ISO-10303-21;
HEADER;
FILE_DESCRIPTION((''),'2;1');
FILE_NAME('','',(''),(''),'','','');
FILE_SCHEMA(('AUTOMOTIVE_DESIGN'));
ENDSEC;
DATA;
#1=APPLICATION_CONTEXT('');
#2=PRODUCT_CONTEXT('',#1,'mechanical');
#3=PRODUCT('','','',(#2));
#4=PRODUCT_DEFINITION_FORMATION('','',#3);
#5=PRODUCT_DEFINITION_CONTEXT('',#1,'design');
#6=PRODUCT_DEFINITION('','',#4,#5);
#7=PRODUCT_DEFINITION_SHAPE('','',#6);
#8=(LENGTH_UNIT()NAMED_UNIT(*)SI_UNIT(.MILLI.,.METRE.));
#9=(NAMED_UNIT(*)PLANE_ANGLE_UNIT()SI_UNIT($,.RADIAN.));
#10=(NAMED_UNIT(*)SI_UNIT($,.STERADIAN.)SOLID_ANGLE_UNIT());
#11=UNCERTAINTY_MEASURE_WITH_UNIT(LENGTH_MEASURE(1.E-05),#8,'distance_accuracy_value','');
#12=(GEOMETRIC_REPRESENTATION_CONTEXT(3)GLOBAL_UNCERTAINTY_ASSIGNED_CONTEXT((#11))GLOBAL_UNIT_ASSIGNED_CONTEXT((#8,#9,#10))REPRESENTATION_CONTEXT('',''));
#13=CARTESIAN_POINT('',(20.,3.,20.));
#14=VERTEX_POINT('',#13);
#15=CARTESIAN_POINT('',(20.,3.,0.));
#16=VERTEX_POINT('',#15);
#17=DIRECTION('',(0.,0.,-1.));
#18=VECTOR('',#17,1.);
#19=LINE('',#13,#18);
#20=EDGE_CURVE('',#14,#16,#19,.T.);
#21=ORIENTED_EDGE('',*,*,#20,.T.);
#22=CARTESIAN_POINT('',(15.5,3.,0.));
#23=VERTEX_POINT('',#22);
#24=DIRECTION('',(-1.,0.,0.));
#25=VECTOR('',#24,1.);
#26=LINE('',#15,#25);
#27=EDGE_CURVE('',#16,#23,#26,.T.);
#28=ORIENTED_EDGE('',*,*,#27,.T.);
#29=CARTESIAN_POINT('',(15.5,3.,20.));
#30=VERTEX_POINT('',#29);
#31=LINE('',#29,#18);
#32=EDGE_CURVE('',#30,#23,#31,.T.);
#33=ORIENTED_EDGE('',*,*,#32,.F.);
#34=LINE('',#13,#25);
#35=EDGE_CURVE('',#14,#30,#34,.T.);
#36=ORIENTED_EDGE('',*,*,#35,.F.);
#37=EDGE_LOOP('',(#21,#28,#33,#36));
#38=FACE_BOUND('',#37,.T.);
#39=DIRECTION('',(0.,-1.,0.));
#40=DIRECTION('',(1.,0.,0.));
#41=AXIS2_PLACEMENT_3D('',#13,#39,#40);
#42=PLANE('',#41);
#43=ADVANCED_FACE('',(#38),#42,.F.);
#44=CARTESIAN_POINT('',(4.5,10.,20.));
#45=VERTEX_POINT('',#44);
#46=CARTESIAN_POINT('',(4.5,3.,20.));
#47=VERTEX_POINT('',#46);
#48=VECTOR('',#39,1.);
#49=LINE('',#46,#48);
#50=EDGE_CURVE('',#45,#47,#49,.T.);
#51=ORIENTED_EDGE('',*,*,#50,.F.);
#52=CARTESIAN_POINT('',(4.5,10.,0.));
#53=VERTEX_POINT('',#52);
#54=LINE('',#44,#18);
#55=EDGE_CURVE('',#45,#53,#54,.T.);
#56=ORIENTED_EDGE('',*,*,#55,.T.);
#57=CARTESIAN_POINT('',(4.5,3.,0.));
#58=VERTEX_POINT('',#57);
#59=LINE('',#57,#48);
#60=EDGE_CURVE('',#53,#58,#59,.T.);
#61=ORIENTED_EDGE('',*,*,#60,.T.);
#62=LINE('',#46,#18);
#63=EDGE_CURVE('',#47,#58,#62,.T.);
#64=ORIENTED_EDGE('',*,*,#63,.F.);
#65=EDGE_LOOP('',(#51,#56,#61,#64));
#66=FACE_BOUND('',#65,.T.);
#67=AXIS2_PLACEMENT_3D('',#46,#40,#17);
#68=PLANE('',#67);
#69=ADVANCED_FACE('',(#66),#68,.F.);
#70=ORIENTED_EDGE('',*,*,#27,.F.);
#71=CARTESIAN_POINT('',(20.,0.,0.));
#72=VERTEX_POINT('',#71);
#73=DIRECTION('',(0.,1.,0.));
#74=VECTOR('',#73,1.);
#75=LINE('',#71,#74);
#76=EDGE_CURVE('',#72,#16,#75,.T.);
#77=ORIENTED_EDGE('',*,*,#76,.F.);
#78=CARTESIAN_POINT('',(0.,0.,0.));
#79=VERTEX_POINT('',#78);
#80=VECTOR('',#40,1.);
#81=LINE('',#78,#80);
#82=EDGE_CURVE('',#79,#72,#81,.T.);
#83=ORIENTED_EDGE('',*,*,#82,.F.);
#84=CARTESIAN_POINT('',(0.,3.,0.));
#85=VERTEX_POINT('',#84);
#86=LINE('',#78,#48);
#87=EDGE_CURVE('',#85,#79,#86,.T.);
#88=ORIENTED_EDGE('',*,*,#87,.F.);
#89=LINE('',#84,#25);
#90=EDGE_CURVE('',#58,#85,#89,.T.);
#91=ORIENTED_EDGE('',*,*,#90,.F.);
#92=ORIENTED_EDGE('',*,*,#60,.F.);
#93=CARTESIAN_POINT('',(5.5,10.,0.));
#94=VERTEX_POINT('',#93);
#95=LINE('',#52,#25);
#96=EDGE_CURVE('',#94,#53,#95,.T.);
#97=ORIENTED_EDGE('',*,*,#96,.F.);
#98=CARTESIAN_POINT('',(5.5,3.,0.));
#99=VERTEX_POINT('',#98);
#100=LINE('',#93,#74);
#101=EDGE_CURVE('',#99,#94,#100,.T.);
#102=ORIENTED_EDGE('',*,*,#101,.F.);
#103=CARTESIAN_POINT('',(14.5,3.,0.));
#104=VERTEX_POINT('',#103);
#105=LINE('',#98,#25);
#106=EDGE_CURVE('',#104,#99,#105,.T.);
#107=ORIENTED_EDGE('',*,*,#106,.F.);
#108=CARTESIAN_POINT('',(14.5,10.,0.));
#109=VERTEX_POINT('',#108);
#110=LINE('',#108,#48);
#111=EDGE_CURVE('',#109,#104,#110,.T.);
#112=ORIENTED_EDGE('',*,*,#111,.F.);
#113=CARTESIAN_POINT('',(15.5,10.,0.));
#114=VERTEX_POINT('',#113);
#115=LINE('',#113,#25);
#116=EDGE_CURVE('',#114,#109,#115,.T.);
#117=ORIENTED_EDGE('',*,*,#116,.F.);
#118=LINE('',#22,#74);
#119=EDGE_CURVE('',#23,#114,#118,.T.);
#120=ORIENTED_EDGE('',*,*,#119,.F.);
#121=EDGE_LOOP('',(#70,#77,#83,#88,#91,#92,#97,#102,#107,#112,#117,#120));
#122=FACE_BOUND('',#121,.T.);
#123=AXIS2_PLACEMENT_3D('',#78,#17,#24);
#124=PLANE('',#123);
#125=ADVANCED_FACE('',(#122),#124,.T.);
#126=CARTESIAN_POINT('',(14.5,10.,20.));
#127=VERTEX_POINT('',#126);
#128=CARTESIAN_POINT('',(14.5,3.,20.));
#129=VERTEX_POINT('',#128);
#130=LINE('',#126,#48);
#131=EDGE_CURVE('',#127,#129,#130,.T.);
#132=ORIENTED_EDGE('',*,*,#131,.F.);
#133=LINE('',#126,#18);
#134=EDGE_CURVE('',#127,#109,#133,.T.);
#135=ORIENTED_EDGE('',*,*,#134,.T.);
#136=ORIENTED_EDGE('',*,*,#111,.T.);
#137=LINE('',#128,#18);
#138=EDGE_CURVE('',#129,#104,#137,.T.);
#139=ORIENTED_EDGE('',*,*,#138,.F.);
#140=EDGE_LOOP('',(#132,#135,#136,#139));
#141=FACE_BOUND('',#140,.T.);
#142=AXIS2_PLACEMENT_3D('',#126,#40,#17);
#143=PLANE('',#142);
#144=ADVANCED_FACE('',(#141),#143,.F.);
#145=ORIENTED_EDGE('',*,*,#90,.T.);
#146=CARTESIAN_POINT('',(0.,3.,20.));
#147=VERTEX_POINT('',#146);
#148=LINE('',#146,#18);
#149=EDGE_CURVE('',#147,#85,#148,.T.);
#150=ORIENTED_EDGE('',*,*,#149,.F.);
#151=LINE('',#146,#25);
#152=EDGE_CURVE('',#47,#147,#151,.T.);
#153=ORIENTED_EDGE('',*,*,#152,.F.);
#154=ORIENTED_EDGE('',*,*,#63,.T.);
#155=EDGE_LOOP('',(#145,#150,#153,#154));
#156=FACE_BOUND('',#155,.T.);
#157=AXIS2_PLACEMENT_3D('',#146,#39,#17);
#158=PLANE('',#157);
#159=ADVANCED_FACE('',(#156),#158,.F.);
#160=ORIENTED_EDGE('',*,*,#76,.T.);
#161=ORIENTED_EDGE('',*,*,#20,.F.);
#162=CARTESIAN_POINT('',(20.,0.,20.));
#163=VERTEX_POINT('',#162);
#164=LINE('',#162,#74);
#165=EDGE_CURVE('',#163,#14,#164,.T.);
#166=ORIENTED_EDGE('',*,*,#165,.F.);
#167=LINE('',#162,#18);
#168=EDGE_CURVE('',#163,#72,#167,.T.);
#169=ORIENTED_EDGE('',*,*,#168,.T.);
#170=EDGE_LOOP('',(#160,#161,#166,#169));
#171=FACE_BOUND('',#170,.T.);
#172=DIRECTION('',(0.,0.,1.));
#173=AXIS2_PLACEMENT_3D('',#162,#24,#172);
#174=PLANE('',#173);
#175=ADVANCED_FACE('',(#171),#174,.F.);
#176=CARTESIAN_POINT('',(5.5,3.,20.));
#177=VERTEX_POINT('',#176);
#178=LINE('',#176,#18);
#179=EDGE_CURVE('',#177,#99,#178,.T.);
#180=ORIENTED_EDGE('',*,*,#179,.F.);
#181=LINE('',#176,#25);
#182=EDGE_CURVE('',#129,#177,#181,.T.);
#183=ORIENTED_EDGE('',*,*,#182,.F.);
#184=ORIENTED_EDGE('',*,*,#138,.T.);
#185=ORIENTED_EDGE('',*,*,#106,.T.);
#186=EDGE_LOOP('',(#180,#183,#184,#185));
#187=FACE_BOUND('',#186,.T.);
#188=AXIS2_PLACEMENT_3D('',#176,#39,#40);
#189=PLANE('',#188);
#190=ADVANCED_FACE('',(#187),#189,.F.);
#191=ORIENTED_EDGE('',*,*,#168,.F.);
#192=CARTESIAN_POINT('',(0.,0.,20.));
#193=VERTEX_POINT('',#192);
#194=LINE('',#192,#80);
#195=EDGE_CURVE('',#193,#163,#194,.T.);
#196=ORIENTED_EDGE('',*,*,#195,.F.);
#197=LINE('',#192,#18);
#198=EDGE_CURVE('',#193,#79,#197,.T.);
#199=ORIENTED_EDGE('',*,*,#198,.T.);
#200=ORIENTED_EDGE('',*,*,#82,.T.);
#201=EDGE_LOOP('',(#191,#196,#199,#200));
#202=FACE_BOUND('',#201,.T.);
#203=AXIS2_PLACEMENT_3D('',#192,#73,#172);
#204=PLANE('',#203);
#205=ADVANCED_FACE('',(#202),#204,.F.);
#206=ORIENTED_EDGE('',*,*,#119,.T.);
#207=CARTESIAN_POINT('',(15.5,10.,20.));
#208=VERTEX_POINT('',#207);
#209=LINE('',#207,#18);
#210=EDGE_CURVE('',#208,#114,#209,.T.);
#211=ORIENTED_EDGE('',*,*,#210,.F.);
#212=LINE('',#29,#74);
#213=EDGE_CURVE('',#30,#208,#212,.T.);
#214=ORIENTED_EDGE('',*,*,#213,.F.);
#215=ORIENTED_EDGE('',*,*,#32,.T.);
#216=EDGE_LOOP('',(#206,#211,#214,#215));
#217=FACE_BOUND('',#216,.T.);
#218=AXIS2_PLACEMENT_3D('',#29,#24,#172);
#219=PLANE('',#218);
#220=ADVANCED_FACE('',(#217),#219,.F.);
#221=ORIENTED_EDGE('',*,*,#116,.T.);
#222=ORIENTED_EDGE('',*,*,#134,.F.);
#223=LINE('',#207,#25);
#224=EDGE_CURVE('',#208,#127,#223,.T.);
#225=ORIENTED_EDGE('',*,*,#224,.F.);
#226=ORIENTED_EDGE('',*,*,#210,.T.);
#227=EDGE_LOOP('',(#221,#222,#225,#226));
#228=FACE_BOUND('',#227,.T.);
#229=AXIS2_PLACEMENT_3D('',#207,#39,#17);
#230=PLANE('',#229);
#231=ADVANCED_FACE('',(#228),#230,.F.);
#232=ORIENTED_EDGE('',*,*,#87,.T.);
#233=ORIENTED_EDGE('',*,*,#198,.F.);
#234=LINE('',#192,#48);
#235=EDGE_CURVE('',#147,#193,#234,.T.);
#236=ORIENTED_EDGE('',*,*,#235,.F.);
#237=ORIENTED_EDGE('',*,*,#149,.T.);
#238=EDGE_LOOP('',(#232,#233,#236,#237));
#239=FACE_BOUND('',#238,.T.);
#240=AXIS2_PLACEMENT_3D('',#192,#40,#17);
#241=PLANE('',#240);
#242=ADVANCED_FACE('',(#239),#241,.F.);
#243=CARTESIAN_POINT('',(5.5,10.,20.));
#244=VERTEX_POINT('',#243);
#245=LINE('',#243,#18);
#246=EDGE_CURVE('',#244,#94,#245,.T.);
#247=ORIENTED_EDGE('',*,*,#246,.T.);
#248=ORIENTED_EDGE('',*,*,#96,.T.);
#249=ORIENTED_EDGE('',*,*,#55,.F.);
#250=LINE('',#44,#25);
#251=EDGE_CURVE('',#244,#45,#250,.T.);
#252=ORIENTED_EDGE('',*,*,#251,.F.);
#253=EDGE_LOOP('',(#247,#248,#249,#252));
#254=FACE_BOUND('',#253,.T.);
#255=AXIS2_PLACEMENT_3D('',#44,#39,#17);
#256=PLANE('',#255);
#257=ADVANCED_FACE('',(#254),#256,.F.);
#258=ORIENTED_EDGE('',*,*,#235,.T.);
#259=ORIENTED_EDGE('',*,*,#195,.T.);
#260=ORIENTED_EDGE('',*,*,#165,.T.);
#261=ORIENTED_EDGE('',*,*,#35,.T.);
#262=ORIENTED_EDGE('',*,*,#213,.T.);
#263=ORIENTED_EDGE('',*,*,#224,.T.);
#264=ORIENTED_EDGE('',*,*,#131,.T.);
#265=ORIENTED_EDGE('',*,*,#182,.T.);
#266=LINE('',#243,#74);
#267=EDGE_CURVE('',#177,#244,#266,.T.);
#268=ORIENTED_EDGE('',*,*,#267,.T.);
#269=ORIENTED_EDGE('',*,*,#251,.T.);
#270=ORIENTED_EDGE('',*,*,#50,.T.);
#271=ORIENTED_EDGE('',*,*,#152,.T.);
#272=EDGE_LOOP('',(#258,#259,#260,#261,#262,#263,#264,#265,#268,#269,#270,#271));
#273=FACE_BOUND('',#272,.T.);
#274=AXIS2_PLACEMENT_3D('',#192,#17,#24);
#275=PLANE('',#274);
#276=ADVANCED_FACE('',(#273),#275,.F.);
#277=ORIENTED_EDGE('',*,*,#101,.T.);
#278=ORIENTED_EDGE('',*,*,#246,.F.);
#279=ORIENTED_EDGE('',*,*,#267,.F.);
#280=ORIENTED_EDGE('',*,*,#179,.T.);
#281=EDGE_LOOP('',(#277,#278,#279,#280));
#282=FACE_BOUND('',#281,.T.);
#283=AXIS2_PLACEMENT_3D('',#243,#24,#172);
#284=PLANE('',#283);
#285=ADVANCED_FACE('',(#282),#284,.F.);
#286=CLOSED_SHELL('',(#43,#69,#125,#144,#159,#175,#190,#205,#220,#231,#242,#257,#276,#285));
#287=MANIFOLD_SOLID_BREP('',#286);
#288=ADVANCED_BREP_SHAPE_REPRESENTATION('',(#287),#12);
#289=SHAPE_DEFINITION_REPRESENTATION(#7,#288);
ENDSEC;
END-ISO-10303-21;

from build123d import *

# Parameters (mm, degrees)
EXTRUDE_1_DEPTH = 20


with BuildPart() as part:
    # Эскиз1 → Бобышка-Вытянуть1 (new body)
    with BuildSketch(Plane.XY):
        Polygon((0, 0), (20, 0), (20, 3), (15.5, 3), (15.5, 10), (14.5, 10), (14.5, 3), (5.5, 3), (5.5, 10), (4.5, 10), (4.5, 3), (0, 3), align=None)
    extrude(amount=EXTRUDE_1_DEPTH)


solid = part.part
